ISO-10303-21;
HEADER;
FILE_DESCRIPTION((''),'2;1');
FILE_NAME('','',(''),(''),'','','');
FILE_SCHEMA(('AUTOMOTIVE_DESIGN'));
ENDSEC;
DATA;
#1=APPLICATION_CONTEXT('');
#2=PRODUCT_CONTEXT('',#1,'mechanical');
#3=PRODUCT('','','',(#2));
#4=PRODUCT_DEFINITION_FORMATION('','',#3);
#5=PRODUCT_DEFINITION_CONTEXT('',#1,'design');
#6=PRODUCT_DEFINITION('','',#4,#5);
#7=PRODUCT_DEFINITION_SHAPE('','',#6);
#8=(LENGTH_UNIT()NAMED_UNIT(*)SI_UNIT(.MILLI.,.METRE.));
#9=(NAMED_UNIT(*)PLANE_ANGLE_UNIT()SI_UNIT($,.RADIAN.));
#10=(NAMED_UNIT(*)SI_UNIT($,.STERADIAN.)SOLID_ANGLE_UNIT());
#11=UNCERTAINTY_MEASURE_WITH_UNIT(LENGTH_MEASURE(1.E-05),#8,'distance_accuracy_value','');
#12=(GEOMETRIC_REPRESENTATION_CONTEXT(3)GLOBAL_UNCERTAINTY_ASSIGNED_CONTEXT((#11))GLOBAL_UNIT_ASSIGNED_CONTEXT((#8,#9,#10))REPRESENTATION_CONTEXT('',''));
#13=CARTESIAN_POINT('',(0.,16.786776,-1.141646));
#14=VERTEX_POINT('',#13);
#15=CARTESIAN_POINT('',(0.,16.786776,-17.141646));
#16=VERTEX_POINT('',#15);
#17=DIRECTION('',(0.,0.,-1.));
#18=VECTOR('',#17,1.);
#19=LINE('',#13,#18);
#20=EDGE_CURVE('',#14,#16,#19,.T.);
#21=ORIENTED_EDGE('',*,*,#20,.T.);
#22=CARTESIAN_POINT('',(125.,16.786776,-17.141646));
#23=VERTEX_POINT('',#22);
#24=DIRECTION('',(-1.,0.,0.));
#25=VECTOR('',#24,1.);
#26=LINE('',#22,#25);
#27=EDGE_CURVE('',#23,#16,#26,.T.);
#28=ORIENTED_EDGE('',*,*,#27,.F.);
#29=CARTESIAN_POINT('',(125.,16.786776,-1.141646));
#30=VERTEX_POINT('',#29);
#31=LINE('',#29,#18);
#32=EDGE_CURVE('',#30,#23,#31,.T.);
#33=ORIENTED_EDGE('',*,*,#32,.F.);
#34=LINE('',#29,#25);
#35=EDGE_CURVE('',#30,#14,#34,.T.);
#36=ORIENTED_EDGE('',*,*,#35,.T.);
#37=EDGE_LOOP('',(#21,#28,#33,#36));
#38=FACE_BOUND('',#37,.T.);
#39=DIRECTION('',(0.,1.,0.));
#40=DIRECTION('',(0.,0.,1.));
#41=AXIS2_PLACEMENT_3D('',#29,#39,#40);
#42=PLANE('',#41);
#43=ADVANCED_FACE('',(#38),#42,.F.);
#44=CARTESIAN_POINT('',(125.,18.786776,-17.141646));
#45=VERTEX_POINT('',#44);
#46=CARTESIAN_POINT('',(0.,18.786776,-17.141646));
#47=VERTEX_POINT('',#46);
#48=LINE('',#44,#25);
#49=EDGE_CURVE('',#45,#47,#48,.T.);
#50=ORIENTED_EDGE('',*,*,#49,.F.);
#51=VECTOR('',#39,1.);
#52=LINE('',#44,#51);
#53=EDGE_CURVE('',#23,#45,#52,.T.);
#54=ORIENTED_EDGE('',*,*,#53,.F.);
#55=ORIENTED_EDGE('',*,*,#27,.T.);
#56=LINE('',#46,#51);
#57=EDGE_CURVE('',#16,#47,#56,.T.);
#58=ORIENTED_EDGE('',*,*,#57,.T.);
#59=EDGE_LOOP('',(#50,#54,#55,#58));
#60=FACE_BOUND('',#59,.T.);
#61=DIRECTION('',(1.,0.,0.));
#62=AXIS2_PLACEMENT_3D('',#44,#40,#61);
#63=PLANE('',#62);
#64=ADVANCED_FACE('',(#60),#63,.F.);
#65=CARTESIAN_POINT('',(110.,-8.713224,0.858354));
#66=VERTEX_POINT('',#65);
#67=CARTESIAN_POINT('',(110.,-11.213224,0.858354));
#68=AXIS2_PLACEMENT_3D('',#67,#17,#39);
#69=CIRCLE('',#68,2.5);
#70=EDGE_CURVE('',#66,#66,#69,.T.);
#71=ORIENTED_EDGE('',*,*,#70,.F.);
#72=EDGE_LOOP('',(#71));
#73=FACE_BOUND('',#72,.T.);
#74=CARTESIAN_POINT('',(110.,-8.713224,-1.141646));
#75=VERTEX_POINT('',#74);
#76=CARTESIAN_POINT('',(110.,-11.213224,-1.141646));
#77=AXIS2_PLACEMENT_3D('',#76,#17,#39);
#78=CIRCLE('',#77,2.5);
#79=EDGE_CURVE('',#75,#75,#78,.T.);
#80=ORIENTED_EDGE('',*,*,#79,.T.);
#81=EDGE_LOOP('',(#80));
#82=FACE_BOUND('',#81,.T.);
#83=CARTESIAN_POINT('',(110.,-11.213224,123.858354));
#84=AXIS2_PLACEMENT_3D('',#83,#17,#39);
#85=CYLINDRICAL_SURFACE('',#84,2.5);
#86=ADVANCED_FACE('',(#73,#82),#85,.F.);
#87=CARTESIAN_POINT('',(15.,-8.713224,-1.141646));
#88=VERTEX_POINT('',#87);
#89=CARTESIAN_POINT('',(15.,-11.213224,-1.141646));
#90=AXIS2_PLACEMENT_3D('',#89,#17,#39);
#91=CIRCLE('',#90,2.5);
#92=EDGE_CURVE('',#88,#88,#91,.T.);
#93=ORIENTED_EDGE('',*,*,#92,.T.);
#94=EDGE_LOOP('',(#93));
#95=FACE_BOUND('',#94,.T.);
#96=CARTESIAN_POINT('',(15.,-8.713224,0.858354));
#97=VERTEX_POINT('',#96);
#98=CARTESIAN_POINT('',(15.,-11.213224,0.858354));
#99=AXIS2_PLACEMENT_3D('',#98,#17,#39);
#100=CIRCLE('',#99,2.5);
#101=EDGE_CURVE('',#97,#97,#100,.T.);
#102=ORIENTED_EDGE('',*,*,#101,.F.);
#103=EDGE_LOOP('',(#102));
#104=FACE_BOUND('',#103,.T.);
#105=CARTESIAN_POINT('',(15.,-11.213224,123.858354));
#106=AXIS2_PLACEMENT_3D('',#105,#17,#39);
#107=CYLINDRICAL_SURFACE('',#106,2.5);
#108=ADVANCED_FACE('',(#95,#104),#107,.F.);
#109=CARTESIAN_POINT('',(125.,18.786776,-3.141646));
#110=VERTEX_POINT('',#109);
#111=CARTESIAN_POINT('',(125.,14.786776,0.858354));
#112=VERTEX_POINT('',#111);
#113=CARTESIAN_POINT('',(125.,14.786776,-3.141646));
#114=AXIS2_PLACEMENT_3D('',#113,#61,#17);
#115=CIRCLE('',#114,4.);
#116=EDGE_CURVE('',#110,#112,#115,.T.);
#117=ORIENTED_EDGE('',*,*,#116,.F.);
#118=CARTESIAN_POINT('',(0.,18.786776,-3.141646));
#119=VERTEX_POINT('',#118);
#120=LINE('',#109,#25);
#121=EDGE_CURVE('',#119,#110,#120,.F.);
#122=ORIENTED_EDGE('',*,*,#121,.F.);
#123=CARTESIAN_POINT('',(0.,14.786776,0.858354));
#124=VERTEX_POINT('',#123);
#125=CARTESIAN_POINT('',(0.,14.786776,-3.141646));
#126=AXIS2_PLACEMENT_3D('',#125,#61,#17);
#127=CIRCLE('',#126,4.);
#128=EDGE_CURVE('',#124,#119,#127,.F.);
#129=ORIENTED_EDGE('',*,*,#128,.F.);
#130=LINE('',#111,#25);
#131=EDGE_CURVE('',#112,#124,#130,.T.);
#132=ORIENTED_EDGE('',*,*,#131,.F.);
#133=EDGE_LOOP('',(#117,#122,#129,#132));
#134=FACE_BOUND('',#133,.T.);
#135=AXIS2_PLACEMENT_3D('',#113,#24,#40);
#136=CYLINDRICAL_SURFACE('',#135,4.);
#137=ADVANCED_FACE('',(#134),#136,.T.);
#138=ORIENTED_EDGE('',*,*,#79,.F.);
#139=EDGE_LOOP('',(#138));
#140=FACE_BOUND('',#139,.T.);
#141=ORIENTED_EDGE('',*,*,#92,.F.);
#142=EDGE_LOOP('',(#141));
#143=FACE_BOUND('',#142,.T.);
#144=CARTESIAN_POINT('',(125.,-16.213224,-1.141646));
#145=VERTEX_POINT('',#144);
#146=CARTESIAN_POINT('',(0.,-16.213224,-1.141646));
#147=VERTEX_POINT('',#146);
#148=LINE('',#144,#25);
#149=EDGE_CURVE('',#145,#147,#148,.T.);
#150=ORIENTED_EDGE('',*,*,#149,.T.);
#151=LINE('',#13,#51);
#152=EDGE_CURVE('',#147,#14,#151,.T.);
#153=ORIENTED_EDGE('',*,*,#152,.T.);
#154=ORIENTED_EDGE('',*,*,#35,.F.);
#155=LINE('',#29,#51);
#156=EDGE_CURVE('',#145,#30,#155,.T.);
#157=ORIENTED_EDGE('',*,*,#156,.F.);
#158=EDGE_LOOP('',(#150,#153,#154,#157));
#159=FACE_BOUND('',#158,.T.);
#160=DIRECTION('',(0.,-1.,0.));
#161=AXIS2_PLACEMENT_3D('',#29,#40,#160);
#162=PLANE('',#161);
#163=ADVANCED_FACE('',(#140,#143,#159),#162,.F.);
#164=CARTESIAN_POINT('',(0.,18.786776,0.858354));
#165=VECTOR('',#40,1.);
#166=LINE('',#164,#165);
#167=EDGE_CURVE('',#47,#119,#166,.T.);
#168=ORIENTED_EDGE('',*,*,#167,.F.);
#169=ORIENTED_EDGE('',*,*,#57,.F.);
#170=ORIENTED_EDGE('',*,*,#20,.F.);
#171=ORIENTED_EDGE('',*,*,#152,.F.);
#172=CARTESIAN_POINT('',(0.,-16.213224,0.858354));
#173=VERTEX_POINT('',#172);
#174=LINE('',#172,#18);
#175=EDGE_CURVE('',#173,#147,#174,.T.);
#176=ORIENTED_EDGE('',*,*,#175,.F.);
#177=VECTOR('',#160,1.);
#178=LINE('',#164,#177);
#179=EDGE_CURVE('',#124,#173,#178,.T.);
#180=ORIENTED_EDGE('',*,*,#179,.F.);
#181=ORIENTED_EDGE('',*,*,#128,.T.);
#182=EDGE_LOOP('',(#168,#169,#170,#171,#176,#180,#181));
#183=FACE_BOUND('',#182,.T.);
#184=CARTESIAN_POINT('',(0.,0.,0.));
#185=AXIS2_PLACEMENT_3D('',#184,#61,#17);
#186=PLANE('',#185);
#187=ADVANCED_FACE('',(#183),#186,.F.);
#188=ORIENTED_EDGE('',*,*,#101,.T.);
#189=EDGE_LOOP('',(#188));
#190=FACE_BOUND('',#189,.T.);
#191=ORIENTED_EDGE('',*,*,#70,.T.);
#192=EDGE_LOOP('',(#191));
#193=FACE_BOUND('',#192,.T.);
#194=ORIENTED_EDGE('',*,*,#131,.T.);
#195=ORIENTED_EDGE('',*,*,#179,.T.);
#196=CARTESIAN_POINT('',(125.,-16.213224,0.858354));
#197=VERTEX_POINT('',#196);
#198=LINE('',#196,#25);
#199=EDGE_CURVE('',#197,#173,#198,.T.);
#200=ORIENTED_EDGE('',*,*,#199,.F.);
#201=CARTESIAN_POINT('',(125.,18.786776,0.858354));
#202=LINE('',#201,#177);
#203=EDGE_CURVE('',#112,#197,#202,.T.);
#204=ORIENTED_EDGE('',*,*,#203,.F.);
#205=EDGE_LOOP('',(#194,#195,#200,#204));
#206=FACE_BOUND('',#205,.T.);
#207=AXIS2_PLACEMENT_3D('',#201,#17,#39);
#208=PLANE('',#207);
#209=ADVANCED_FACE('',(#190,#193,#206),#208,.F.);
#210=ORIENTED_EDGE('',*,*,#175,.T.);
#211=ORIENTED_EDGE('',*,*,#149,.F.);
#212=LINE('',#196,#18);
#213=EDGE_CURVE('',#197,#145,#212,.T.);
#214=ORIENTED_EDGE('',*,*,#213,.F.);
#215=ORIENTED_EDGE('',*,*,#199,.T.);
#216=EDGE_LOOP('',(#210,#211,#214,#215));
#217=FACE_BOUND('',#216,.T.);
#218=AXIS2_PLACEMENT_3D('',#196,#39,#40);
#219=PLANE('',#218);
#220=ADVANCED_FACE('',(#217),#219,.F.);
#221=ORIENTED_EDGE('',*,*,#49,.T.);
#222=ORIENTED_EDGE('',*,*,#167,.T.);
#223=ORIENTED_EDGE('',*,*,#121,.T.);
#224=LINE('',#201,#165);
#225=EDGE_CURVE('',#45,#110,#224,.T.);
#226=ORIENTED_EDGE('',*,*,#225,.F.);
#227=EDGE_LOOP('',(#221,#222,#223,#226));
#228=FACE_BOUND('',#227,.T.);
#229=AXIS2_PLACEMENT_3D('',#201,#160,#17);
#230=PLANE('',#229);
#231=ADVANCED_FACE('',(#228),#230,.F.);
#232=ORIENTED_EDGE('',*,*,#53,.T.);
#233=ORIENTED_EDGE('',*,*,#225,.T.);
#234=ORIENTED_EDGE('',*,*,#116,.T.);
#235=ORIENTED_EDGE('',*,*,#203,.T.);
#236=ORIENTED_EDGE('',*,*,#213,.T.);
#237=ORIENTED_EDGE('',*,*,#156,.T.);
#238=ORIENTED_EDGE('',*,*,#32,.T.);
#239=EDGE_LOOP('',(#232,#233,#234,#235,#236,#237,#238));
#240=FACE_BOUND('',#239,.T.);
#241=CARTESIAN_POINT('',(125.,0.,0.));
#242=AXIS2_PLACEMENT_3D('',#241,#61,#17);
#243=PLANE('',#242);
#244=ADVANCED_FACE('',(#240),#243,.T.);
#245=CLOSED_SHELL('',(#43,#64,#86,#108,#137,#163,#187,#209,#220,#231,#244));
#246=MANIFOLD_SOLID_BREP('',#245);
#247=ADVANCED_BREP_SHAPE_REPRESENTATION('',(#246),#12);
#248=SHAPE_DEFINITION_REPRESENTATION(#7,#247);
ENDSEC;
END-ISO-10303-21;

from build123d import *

# Parameters (mm, degrees)
BOSS_EXTRUDE1_DEPTH = 125
FILLET1_R           = 4
SKETCH2_R           = 2.5
CUT_EXTRUDE1_DEPTH  = 125


with BuildPart() as part:
    # Sketch1 → Boss-Extrude1 (new body)
    with BuildSketch(Plane(origin=(0, 0, 0), x_dir=(0, 0, -1), z_dir=(1, 0, 0))):
        Polygon((1.141646312, 16.786775831), (17.141646312, 16.786775831), (17.141646312, 18.786775831), (-0.858353688, 18.786775831), (-0.858353688, -16.213224169), (1.141646312, -16.213224169), align=None)
    extrude(amount=BOSS_EXTRUDE1_DEPTH)

    # Fillet1
    fillet1_edges = [part.edges().sort_by_distance(p)[0] for p in [
        (62.5, 18.786775831, 0.858353688),
    ]]
    fillet(fillet1_edges, radius=FILLET1_R)

    # Sketch2 → Cut-Extrude1 (cut)
    with BuildSketch(Plane(origin=(0, 0, -1.141646312), x_dir=(-1, 0, 0), z_dir=(0, 0, -1))):
        with Locations((-110, -11.213224169)):
            Circle(SKETCH2_R)
        with Locations((-15, -11.213224169)):
            Circle(SKETCH2_R)
    extrude(amount=-CUT_EXTRUDE1_DEPTH, mode=Mode.SUBTRACT)


solid = part.part
